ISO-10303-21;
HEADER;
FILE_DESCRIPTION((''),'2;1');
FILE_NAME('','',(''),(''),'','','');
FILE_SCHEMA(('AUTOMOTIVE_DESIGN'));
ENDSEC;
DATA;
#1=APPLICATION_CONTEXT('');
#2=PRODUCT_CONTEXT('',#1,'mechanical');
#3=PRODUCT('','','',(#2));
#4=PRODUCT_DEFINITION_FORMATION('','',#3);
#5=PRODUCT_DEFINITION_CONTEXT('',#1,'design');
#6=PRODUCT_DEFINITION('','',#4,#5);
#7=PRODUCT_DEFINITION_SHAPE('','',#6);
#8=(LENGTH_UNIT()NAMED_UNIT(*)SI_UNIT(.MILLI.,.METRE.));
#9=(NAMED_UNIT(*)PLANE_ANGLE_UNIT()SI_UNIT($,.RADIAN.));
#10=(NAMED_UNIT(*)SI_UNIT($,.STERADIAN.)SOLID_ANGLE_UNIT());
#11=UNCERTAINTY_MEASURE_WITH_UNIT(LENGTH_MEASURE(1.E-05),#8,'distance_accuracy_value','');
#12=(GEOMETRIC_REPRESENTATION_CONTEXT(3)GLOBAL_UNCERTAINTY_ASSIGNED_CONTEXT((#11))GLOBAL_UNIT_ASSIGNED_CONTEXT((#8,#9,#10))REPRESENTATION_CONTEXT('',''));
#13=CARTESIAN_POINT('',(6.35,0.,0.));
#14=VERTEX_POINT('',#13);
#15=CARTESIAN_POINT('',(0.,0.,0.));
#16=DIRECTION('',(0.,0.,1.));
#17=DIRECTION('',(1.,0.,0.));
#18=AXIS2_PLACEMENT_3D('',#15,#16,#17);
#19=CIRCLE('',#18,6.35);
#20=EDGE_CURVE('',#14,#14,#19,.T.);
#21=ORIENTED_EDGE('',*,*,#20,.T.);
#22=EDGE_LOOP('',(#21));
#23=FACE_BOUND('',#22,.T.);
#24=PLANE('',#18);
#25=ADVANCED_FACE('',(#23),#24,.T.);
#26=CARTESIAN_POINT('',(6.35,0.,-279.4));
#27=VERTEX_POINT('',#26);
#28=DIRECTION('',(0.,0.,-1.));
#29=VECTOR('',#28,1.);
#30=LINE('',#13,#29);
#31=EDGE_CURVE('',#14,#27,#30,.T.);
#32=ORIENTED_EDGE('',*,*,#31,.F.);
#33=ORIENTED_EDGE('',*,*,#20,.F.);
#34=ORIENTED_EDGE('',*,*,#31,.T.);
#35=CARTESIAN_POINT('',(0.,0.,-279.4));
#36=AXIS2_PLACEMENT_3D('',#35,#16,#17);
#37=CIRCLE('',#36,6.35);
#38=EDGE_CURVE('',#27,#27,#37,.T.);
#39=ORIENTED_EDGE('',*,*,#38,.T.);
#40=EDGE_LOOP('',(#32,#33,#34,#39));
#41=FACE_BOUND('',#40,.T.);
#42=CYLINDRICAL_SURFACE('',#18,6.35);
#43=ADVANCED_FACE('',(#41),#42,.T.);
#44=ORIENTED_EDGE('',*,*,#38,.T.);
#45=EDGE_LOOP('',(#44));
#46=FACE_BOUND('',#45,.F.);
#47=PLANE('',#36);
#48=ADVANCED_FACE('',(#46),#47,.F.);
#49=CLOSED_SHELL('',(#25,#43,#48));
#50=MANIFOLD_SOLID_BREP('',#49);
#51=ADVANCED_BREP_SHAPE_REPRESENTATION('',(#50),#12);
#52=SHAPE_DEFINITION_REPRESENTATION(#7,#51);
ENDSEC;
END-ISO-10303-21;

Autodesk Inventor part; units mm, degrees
ref_plane "YZ Plane" through (0, 0, 0) normal (1, 0, 0) x (0, 1, 0)
ref_plane "XZ Plane" through (0, 0, 0) normal (0, 1, 0) x (-1, 0, 0)
ref_plane "XY Plane" through (0, 0, 0) normal (0, 0, 1) x (1, 0, 0)
sketch "Sketch1" plane through (0, 0, 0) normal (0, 0, 1) x (1, 0, 0)
  circle A0 centre (0, 0) radius 6.35
  dimension "d0" = 12.7
  dimension "d0" = 12.7
extrude "Extrusion1" add sketch "Sketch1" against normal blind 279.4
properties part number ".5unkeyedaxle_11"
